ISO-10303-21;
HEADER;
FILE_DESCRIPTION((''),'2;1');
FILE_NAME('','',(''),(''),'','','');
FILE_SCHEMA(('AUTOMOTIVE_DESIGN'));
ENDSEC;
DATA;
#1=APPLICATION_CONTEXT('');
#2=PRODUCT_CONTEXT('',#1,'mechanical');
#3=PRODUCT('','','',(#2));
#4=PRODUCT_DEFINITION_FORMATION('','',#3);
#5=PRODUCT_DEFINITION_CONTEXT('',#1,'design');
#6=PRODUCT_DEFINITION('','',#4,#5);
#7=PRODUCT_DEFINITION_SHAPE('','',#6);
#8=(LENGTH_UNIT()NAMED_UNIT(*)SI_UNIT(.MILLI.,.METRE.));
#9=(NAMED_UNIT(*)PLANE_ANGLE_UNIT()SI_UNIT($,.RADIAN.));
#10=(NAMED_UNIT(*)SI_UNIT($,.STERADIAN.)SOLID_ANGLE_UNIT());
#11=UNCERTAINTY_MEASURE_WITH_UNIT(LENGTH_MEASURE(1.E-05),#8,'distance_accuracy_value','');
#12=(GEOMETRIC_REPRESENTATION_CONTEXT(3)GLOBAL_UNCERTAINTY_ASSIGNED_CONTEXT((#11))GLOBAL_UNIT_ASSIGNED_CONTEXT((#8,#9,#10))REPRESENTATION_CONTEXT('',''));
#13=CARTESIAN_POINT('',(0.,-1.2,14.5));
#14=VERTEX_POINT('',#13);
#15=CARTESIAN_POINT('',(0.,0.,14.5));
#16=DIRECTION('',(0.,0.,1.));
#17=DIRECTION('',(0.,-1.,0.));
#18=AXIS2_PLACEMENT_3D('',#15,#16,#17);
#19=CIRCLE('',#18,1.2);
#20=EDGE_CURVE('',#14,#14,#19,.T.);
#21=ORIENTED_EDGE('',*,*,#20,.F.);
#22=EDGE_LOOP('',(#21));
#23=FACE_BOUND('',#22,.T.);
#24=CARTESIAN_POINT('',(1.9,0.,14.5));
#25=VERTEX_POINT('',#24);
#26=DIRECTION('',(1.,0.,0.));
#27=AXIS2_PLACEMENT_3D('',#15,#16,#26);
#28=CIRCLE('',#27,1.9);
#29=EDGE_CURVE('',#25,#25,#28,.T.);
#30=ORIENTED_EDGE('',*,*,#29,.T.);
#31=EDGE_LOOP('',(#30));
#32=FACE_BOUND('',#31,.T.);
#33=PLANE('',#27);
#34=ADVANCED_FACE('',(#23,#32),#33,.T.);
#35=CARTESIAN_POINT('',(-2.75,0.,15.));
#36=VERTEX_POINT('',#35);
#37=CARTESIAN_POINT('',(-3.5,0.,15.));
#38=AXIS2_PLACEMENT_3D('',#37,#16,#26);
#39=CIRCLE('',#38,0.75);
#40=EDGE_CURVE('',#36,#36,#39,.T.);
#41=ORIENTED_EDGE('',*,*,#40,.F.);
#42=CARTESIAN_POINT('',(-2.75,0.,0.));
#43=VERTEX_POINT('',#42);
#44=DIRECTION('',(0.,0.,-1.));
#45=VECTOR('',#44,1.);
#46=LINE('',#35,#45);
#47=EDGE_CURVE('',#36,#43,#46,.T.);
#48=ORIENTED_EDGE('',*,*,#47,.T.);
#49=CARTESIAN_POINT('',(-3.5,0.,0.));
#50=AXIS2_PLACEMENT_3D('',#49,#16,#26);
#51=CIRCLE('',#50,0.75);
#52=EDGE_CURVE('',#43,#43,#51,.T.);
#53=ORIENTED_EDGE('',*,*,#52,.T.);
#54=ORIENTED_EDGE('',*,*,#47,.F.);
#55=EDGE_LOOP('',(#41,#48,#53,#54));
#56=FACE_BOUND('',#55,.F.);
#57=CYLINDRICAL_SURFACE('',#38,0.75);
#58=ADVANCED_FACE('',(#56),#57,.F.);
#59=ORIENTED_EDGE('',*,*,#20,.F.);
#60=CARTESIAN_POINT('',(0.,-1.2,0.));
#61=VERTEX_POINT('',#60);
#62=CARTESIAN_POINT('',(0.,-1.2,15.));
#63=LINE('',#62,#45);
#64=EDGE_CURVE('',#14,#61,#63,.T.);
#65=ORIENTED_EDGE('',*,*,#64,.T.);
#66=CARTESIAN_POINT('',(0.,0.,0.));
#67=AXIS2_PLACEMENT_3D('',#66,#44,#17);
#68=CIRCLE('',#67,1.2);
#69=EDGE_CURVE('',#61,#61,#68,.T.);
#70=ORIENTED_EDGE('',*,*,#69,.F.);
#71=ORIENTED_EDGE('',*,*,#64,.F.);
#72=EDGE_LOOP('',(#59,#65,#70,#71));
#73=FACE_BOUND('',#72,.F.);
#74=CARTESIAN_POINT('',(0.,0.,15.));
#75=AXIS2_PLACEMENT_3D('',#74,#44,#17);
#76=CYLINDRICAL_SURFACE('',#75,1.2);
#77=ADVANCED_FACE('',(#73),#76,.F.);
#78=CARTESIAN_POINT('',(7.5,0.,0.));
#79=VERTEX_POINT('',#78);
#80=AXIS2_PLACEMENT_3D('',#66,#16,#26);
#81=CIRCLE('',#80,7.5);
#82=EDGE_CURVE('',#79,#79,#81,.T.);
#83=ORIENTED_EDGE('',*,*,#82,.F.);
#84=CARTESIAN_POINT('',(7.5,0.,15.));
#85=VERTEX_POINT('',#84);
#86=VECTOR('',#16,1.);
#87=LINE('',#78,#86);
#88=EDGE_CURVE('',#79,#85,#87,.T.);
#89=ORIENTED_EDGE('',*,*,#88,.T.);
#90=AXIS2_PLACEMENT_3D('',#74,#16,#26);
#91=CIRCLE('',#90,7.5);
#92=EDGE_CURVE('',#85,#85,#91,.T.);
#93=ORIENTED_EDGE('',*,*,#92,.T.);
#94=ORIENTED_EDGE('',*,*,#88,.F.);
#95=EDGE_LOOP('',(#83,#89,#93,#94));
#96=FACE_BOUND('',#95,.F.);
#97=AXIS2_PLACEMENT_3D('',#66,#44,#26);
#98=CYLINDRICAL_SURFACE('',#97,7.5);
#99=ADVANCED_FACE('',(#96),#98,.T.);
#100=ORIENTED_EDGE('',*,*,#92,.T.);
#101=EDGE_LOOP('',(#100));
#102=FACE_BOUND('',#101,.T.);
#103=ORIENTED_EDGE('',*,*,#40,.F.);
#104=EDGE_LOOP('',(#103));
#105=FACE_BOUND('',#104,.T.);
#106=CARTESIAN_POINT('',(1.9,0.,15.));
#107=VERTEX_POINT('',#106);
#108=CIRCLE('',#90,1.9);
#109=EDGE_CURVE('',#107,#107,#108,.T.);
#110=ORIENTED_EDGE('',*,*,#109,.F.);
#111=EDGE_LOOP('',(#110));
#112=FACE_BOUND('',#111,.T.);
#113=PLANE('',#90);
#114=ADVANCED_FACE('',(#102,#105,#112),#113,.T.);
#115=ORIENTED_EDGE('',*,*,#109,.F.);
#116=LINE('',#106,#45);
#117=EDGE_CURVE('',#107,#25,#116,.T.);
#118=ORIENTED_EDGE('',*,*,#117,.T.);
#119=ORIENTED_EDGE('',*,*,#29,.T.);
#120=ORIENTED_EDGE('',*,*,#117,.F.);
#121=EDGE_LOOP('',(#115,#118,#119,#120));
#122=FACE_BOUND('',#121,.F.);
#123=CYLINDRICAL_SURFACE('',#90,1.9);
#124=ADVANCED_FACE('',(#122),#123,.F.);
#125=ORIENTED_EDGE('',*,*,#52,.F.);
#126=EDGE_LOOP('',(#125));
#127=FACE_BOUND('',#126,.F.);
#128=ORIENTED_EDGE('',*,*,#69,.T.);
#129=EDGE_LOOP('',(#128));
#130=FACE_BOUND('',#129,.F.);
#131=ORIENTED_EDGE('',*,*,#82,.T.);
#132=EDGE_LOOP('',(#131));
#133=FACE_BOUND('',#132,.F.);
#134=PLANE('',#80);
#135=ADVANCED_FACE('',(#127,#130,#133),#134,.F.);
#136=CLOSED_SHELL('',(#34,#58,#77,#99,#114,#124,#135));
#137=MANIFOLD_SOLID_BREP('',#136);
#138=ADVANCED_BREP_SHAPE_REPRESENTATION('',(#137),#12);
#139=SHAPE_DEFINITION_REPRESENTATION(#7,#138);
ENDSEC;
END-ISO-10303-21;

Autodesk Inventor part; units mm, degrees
ref_plane "YZ Plane" through (0, 0, 0) normal (1, 0, 0) x (0, 1, 0)
ref_plane "XZ Plane" through (0, 0, 0) normal (0, 1, 0) x (-1, 0, 0)
ref_plane "XY Plane" through (0, 0, 0) normal (0, 0, 1) x (1, 0, 0)
sketch "Sketch1" plane through (0, 0, 0) normal (0, 0, 1) x (1, 0, 0)
  circle A0 centre (0, 0) radius 7.5
  dimension "d0" = 15
extrude "Extrusion1" add sketch "Sketch1" along normal blind 15
hole "Hole1" at (0, 0, 15) direction (0, 0, -1) diameter 2.4 end through all
sketch "Sketch3" plane through (0, 0, 15) normal (0, 0, 1) x (1, 0, 0)
  circle A0 centre (0, 0) radius 1.2 projected
  circle A1 centre (0, 0) radius 7.5 projected
  circle A2 centre (0, 0) radius 1.9
  dimension "d16" = 3.8
extrude "Extrusion3" cut sketch "Sketch3" against normal blind 0.5 contours A2
sketch "Sketch2" plane through (0, 0, 15) normal (0, 0, 1) x (1, 0, 0)
  circle A0 centre (0, 0) radius 1.2 projected
  circle A1 centre (-3.5, 0) radius 0.75
  dimension "d12" = 1.5
  dimension "d13" = 3.5
extrude "Extrusion2" cut sketch "Sketch2" against normal through all contours A1
properties part number "Jig_Bearing_OD_Asm"
